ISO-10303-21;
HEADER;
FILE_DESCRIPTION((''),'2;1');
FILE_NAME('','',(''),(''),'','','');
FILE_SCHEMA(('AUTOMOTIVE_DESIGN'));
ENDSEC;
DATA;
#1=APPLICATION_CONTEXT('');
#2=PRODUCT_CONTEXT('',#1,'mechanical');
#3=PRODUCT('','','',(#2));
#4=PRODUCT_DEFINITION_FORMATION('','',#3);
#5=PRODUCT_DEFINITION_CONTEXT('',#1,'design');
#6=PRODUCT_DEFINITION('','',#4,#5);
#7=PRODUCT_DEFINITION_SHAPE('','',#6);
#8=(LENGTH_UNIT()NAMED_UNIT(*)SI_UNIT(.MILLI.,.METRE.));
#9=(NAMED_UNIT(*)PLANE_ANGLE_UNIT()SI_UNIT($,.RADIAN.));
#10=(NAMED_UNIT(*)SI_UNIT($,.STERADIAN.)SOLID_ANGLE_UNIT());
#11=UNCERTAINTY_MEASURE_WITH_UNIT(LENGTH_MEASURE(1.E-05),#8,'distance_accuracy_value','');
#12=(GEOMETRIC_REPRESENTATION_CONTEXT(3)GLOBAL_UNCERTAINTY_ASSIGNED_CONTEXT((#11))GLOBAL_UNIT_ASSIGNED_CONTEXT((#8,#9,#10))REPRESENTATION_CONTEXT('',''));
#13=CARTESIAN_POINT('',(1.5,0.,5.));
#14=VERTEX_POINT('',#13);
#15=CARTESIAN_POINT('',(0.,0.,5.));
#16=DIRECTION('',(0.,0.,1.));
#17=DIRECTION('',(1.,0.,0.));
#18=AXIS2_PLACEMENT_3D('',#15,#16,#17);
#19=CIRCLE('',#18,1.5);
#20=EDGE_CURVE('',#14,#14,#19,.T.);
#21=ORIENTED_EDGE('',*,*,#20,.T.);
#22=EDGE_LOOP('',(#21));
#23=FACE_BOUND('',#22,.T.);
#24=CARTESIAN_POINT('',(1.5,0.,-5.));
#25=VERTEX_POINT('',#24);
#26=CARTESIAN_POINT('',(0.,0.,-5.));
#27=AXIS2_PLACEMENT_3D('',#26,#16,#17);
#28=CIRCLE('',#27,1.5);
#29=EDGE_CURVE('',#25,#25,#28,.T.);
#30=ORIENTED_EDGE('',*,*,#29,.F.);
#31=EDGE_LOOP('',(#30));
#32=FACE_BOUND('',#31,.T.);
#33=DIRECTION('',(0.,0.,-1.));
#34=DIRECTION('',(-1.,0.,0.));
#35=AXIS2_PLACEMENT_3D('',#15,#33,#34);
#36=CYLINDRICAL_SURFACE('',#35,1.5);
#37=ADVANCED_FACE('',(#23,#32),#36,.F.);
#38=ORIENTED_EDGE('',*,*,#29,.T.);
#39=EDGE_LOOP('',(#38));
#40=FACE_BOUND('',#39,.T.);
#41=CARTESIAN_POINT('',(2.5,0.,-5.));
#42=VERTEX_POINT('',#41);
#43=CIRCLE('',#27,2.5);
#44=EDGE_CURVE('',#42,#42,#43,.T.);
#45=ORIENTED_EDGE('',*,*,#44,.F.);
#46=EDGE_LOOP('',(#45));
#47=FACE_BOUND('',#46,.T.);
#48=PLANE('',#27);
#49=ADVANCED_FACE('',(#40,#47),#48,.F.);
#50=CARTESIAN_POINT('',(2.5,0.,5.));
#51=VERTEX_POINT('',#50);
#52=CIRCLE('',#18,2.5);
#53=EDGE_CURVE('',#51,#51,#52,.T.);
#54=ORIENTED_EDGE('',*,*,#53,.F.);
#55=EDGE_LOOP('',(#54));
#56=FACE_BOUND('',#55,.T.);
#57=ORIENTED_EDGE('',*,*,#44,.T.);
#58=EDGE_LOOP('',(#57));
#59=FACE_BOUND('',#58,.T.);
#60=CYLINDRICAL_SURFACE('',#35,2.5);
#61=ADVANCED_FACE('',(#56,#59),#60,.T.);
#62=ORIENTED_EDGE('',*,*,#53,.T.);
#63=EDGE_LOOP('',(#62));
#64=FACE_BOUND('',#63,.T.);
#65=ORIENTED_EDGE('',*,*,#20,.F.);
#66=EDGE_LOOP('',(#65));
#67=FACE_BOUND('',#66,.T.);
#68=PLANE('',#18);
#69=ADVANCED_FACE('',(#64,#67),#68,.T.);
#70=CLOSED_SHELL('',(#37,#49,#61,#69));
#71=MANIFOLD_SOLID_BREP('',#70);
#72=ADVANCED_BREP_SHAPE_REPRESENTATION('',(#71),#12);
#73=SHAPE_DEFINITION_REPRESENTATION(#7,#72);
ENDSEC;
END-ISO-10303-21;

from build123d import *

# Parameters (mm, degrees)
SKETCH_1_R      = 2.5
SKETCH_1_R_2    = 1.5
EXTRUDE_1_DEPTH = 5


with BuildPart() as part:
    # 草图1 → 凸台-拉伸1 (new body, symmetric)
    with BuildSketch(Plane.XY):
        Circle(SKETCH_1_R)
        Circle(SKETCH_1_R_2, mode=Mode.SUBTRACT)
    extrude(amount=EXTRUDE_1_DEPTH, both=True)


solid = part.part
